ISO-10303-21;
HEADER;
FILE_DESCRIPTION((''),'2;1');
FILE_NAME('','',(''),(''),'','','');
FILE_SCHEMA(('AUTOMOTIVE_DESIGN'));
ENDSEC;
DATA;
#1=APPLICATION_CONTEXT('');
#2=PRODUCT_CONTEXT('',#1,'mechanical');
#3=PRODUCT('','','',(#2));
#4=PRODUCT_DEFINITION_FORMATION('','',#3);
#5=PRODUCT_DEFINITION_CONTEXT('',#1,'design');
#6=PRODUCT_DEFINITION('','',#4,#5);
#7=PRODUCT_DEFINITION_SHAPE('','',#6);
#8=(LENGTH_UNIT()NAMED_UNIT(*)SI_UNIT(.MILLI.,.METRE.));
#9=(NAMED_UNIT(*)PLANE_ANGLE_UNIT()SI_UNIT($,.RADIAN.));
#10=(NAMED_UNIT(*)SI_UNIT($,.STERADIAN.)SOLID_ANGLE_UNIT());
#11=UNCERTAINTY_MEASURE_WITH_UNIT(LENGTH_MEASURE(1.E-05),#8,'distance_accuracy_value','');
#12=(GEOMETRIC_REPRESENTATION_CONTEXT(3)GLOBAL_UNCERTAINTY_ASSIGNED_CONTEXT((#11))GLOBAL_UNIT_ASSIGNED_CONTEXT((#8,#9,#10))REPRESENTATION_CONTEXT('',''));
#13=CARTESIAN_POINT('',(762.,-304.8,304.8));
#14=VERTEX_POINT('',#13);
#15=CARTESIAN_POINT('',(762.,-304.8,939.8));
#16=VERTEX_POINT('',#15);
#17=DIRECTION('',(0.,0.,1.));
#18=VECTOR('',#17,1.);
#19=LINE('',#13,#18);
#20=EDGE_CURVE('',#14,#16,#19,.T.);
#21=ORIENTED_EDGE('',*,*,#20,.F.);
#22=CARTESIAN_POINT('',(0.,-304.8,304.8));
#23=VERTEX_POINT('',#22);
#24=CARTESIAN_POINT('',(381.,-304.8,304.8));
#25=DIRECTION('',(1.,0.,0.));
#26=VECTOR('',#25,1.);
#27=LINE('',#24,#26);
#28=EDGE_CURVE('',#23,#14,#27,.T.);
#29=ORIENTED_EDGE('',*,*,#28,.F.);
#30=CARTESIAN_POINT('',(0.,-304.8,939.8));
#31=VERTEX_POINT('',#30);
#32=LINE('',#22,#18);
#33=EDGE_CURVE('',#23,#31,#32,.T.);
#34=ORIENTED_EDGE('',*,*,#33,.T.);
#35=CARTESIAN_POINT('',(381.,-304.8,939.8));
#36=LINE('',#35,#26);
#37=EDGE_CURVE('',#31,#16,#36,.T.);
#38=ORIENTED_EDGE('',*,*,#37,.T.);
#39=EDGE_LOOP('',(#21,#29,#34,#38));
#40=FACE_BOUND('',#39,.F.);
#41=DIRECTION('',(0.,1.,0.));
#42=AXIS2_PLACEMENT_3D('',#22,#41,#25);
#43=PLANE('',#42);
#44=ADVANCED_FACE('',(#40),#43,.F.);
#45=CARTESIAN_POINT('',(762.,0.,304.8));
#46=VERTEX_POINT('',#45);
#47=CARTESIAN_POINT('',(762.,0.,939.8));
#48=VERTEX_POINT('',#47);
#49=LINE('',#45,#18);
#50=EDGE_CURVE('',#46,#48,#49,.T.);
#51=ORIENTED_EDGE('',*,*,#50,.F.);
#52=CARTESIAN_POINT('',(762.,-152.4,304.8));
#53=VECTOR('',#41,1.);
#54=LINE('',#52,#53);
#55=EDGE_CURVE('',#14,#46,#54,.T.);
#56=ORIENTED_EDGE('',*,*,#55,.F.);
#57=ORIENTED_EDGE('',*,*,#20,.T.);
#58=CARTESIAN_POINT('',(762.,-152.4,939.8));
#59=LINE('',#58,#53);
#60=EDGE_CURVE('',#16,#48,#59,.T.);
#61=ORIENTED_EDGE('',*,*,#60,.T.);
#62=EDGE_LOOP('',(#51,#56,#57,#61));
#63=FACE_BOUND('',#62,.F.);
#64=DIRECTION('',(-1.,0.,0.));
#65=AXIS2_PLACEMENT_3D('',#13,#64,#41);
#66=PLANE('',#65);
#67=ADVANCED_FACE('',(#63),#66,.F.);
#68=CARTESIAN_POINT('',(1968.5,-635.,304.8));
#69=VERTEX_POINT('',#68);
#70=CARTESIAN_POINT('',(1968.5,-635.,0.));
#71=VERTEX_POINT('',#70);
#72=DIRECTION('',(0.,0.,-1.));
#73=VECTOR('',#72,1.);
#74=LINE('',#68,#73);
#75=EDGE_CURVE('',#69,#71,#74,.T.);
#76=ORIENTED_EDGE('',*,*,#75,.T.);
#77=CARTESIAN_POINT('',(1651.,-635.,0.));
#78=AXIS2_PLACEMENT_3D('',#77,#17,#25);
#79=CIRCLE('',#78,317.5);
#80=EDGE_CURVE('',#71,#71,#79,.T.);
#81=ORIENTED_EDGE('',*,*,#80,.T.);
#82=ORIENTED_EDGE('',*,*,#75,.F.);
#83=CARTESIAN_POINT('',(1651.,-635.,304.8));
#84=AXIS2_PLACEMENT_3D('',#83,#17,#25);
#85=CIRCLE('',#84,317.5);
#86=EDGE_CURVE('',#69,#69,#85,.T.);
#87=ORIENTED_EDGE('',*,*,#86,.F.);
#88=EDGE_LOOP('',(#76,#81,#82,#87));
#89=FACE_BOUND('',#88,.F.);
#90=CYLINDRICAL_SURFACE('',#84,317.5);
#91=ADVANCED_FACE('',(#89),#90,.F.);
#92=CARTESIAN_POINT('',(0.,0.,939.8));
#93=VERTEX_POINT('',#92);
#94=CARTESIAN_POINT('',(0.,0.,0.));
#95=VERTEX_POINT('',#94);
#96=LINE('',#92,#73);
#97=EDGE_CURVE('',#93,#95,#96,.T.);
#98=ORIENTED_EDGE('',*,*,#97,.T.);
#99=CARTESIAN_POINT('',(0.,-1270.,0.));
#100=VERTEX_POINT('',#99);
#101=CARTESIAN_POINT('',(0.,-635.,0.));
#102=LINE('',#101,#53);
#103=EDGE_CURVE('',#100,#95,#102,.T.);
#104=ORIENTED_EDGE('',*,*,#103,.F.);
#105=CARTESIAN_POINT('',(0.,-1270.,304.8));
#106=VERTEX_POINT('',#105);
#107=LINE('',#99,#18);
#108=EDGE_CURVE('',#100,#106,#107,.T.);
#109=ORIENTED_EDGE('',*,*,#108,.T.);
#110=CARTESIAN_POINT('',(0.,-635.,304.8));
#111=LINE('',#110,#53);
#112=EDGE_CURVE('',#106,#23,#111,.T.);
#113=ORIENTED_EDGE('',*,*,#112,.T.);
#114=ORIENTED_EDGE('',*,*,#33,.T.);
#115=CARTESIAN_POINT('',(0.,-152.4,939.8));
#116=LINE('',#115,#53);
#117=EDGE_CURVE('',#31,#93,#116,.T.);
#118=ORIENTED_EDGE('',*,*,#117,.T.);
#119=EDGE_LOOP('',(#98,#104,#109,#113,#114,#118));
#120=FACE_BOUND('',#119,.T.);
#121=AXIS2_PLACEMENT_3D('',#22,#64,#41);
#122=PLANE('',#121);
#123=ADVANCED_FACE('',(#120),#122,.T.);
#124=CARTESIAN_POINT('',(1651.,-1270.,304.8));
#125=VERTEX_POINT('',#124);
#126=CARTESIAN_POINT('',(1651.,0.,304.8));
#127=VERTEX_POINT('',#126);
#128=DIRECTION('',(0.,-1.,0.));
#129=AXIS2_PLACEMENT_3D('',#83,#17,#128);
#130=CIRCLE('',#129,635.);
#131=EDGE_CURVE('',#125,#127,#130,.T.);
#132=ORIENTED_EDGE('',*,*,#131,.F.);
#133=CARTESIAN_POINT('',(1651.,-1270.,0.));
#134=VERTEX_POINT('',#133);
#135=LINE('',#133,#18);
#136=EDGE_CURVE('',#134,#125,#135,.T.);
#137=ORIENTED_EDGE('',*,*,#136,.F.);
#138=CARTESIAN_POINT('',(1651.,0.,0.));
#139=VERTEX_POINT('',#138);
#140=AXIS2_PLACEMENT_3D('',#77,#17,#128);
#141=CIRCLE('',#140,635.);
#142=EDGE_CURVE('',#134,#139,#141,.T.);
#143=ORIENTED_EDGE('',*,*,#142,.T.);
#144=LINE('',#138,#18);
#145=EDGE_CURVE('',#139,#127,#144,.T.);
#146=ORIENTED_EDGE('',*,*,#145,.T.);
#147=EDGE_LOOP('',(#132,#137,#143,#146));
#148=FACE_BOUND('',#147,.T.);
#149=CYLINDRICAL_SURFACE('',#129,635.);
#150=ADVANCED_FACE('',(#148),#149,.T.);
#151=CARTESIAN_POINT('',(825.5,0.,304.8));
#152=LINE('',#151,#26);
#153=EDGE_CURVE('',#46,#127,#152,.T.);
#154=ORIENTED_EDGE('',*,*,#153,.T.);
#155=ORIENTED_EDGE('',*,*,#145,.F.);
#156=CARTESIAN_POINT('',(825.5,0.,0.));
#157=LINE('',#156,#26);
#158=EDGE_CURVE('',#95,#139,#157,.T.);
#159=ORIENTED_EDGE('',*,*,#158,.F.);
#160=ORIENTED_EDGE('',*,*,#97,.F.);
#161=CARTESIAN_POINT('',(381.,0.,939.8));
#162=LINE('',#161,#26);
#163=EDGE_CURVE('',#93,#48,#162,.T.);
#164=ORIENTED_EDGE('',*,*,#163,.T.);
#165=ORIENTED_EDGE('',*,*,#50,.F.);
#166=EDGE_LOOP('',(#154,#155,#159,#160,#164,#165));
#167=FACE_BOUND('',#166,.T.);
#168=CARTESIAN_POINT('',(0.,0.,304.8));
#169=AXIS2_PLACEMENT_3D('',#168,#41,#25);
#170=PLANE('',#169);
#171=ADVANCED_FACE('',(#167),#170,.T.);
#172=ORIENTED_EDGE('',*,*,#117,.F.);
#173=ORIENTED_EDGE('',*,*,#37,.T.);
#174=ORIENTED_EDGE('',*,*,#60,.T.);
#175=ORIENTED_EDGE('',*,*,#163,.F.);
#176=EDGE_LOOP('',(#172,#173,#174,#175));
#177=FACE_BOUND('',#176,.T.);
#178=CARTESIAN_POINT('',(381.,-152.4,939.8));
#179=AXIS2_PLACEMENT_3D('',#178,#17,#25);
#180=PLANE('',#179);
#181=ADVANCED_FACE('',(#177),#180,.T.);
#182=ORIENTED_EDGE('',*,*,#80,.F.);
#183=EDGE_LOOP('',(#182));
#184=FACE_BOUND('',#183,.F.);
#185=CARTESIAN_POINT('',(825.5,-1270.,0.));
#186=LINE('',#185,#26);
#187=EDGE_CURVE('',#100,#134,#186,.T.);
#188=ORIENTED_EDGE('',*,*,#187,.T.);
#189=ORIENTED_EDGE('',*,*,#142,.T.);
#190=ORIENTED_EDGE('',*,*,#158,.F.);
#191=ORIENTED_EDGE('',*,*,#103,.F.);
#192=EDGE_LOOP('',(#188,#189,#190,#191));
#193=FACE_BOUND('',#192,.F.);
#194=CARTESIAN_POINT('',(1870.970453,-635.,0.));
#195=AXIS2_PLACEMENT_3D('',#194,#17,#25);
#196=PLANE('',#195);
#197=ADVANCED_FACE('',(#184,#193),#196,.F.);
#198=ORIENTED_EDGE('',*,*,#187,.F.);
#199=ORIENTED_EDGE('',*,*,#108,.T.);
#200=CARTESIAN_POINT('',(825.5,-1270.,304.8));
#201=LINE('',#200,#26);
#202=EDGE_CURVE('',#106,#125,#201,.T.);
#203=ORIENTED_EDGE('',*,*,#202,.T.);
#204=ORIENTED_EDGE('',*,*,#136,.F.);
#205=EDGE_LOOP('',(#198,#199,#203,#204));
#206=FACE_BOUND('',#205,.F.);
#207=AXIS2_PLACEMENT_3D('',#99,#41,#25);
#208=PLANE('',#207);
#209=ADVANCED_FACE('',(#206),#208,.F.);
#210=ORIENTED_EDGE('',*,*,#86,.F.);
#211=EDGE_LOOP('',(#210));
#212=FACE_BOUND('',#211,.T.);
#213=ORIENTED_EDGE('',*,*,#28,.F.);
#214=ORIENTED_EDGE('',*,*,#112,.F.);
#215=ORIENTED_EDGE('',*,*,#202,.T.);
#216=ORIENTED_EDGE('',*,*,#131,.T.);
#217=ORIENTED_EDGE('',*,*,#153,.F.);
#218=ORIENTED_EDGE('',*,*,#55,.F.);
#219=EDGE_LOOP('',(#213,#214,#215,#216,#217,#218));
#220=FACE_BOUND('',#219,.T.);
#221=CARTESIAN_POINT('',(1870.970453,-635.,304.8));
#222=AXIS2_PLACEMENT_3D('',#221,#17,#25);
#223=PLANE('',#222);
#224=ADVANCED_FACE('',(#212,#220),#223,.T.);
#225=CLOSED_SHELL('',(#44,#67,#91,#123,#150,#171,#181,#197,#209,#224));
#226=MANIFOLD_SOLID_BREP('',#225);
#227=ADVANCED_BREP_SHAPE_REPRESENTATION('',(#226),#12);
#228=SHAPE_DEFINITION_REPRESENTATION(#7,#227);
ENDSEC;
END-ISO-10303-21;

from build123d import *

# Parameters (mm, degrees)
F0_W     = 1651
F0_H     = 1270
F1_DEPTH = 304.8
F2_W     = 762
F2_H     = 304.8
F3_DEPTH = 635
F5_DEPTH = 304.8
F6_R     = 317.5
F7_DEPTH = 947.42


with BuildPart() as f1:
    # F0 (on Top) → F1 (new body)
    with BuildSketch(Plane.XY):
        with Locations((825.5, -635)):
            Rectangle(F0_W, F0_H)
    extrude(amount=F1_DEPTH)

    # F2 (on face) → F3 (join)
    with BuildSketch(Plane.XY.offset(304.8)):
        with Locations((381, -152.4)):
            Rectangle(F2_W, F2_H)
    extrude(amount=F3_DEPTH)

    # F4 (on face) → F5 (join)
    with BuildSketch(Plane.XY.offset(304.8)):
        with BuildLine():
            ThreePointArc((1651, -1270), (2100.0128060535, -1084.0128060535), (2286, -635))
            ThreePointArc((2286, -635), (2100.0128060535, -185.9871939465), (1651, 0))
            Line((1651, 0), (1651, -1270))
        make_face()
    extrude(amount=-F5_DEPTH)

    # F6 (on face) → F7 (cut)
    with BuildSketch(Plane.XY.offset(304.8)):
        with Locations((1651, -635)):
            Circle(F6_R)
    extrude(amount=-F7_DEPTH, mode=Mode.SUBTRACT)


solid = f1.part
